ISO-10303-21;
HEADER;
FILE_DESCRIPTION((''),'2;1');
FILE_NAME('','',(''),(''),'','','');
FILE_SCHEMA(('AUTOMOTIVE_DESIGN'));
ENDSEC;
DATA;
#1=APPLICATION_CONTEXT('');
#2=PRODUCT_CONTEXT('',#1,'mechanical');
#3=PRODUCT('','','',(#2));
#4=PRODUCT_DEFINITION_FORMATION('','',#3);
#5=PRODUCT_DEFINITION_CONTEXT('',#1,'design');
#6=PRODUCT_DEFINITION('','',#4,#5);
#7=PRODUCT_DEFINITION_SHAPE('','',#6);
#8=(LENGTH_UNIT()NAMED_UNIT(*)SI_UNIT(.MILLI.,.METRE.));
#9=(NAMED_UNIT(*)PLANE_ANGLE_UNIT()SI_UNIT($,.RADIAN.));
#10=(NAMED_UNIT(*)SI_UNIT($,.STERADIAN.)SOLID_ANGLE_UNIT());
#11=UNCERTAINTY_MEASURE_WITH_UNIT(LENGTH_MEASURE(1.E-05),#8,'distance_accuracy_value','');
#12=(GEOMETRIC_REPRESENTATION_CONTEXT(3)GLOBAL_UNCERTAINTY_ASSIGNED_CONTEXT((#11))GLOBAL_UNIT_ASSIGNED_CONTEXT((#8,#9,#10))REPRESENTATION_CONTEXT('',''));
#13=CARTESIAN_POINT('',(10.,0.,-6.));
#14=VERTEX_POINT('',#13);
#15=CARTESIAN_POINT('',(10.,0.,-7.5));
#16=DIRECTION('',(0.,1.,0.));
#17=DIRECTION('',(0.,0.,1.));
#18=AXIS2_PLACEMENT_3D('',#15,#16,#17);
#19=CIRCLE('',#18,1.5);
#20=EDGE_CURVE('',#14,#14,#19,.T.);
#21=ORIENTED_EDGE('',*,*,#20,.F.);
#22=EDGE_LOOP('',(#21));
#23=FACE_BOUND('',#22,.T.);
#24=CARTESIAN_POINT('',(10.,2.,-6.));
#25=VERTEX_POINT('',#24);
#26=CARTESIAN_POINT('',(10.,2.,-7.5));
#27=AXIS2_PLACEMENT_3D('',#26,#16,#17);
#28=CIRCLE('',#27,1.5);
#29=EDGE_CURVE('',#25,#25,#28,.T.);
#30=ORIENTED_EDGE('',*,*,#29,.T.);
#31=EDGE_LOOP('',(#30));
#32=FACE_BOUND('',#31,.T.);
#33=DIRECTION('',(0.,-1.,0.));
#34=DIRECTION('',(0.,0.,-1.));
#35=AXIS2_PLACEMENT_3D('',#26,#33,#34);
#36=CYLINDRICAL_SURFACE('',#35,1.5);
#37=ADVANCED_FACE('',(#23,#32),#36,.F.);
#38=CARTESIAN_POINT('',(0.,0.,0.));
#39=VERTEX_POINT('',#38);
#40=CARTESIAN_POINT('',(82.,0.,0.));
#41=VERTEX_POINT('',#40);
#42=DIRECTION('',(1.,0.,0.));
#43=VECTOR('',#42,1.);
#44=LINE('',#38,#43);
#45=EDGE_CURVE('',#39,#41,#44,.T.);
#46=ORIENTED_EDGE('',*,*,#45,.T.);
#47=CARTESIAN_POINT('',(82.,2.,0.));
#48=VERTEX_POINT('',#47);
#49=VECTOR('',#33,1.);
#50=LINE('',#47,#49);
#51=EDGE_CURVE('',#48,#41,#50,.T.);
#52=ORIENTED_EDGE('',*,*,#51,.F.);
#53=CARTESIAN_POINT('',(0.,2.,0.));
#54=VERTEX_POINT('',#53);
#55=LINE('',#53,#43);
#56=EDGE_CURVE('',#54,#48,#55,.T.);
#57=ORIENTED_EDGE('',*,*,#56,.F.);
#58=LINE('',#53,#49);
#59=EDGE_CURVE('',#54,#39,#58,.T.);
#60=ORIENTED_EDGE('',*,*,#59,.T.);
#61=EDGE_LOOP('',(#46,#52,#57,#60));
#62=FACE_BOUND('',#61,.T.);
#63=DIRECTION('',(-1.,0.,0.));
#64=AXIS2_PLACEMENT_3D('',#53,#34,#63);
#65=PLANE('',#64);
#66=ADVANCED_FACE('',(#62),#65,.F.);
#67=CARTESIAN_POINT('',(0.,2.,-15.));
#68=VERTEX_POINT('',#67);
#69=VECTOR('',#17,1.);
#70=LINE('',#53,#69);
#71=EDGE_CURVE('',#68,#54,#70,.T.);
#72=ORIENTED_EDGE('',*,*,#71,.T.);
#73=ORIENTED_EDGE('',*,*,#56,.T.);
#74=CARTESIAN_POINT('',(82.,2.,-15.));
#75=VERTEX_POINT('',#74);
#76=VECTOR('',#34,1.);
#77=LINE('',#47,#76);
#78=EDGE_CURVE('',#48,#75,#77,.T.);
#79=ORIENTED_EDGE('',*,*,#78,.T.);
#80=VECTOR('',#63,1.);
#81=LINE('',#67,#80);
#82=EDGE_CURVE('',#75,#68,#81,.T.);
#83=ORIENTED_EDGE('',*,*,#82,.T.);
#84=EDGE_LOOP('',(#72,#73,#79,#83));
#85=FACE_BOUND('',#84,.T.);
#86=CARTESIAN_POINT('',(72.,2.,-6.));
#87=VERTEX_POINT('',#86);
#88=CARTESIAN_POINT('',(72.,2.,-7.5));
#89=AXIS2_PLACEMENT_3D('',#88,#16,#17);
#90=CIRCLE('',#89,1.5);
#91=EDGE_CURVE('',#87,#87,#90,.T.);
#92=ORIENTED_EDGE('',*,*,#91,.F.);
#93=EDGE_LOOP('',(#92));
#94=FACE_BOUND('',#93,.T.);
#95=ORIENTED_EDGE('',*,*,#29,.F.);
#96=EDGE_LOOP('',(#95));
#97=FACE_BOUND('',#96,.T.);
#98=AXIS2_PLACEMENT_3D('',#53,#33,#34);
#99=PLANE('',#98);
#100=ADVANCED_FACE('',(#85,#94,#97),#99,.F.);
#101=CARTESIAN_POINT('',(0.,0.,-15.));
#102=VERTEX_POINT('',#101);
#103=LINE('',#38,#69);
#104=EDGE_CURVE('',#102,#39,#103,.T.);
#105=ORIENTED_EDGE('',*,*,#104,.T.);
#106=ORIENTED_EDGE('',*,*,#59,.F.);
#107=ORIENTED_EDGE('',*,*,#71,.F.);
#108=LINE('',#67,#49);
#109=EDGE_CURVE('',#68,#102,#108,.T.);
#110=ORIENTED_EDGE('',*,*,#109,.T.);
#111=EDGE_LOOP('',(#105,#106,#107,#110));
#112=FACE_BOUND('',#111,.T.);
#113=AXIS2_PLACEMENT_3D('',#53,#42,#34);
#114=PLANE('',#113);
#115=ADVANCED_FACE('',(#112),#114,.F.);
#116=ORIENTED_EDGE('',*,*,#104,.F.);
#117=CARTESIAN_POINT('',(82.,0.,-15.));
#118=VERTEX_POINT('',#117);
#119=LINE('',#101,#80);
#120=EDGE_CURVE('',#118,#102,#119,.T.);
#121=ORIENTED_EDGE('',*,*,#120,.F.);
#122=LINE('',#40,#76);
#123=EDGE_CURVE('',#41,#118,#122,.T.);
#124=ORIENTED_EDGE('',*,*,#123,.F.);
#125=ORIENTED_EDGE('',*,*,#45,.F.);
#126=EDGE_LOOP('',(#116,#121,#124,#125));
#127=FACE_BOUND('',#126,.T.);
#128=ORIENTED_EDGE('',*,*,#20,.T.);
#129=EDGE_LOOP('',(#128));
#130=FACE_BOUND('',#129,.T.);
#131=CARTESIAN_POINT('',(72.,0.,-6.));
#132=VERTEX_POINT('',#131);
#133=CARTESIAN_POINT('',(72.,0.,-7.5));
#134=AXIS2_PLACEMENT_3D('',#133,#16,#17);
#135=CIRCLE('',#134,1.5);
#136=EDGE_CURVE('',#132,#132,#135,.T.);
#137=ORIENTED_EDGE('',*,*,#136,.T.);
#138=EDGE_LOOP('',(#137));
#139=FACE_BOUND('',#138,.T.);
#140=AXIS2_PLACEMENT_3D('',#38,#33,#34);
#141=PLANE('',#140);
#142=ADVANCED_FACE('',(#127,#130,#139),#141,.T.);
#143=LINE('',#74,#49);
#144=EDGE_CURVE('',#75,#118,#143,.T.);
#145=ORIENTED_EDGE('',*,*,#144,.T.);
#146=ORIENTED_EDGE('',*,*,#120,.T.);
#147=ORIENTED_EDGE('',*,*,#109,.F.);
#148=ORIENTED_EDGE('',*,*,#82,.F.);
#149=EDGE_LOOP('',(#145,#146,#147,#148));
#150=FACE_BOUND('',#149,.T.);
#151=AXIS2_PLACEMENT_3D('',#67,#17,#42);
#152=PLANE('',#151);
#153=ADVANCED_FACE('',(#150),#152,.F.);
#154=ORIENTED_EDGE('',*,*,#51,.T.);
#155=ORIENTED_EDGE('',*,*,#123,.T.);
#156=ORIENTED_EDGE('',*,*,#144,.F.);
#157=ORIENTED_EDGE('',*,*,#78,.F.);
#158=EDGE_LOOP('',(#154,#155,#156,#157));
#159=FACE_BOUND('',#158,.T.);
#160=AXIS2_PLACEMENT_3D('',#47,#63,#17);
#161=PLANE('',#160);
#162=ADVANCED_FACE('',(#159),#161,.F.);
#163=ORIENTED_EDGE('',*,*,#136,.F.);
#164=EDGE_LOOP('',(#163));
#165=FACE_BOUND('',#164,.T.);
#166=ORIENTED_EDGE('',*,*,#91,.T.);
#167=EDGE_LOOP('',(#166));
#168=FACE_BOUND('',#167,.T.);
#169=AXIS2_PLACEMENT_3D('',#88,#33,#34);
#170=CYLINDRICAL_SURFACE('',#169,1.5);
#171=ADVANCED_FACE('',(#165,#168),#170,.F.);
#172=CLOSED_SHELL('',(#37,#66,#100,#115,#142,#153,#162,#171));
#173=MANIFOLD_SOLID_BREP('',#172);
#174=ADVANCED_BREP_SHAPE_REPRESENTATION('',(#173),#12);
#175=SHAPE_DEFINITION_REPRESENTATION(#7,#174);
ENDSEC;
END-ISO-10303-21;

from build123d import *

# Parameters (mm, degrees)
SKETCH1_W           = 82
SKETCH1_H           = 15
SKETCH1_R           = 1.5
BOSS_EXTRUDE1_DEPTH = 2


with BuildPart() as part:
    # Sketch1 → Boss-Extrude1 (new body)
    with BuildSketch(Plane(origin=(0, 0, 0), x_dir=(1, 0, 0), z_dir=(0, 1, 0))):
        with Locations((41, 7.5)):
            Rectangle(SKETCH1_W, SKETCH1_H)
        with Locations(Location((10, 7.5, 0), (0, 0, 270))):
            Circle(SKETCH1_R, mode=Mode.SUBTRACT)
        with Locations(Location((72, 7.5, 0), (0, 0, 270))):
            Circle(SKETCH1_R, mode=Mode.SUBTRACT)
    extrude(amount=BOSS_EXTRUDE1_DEPTH)


solid = part.part
